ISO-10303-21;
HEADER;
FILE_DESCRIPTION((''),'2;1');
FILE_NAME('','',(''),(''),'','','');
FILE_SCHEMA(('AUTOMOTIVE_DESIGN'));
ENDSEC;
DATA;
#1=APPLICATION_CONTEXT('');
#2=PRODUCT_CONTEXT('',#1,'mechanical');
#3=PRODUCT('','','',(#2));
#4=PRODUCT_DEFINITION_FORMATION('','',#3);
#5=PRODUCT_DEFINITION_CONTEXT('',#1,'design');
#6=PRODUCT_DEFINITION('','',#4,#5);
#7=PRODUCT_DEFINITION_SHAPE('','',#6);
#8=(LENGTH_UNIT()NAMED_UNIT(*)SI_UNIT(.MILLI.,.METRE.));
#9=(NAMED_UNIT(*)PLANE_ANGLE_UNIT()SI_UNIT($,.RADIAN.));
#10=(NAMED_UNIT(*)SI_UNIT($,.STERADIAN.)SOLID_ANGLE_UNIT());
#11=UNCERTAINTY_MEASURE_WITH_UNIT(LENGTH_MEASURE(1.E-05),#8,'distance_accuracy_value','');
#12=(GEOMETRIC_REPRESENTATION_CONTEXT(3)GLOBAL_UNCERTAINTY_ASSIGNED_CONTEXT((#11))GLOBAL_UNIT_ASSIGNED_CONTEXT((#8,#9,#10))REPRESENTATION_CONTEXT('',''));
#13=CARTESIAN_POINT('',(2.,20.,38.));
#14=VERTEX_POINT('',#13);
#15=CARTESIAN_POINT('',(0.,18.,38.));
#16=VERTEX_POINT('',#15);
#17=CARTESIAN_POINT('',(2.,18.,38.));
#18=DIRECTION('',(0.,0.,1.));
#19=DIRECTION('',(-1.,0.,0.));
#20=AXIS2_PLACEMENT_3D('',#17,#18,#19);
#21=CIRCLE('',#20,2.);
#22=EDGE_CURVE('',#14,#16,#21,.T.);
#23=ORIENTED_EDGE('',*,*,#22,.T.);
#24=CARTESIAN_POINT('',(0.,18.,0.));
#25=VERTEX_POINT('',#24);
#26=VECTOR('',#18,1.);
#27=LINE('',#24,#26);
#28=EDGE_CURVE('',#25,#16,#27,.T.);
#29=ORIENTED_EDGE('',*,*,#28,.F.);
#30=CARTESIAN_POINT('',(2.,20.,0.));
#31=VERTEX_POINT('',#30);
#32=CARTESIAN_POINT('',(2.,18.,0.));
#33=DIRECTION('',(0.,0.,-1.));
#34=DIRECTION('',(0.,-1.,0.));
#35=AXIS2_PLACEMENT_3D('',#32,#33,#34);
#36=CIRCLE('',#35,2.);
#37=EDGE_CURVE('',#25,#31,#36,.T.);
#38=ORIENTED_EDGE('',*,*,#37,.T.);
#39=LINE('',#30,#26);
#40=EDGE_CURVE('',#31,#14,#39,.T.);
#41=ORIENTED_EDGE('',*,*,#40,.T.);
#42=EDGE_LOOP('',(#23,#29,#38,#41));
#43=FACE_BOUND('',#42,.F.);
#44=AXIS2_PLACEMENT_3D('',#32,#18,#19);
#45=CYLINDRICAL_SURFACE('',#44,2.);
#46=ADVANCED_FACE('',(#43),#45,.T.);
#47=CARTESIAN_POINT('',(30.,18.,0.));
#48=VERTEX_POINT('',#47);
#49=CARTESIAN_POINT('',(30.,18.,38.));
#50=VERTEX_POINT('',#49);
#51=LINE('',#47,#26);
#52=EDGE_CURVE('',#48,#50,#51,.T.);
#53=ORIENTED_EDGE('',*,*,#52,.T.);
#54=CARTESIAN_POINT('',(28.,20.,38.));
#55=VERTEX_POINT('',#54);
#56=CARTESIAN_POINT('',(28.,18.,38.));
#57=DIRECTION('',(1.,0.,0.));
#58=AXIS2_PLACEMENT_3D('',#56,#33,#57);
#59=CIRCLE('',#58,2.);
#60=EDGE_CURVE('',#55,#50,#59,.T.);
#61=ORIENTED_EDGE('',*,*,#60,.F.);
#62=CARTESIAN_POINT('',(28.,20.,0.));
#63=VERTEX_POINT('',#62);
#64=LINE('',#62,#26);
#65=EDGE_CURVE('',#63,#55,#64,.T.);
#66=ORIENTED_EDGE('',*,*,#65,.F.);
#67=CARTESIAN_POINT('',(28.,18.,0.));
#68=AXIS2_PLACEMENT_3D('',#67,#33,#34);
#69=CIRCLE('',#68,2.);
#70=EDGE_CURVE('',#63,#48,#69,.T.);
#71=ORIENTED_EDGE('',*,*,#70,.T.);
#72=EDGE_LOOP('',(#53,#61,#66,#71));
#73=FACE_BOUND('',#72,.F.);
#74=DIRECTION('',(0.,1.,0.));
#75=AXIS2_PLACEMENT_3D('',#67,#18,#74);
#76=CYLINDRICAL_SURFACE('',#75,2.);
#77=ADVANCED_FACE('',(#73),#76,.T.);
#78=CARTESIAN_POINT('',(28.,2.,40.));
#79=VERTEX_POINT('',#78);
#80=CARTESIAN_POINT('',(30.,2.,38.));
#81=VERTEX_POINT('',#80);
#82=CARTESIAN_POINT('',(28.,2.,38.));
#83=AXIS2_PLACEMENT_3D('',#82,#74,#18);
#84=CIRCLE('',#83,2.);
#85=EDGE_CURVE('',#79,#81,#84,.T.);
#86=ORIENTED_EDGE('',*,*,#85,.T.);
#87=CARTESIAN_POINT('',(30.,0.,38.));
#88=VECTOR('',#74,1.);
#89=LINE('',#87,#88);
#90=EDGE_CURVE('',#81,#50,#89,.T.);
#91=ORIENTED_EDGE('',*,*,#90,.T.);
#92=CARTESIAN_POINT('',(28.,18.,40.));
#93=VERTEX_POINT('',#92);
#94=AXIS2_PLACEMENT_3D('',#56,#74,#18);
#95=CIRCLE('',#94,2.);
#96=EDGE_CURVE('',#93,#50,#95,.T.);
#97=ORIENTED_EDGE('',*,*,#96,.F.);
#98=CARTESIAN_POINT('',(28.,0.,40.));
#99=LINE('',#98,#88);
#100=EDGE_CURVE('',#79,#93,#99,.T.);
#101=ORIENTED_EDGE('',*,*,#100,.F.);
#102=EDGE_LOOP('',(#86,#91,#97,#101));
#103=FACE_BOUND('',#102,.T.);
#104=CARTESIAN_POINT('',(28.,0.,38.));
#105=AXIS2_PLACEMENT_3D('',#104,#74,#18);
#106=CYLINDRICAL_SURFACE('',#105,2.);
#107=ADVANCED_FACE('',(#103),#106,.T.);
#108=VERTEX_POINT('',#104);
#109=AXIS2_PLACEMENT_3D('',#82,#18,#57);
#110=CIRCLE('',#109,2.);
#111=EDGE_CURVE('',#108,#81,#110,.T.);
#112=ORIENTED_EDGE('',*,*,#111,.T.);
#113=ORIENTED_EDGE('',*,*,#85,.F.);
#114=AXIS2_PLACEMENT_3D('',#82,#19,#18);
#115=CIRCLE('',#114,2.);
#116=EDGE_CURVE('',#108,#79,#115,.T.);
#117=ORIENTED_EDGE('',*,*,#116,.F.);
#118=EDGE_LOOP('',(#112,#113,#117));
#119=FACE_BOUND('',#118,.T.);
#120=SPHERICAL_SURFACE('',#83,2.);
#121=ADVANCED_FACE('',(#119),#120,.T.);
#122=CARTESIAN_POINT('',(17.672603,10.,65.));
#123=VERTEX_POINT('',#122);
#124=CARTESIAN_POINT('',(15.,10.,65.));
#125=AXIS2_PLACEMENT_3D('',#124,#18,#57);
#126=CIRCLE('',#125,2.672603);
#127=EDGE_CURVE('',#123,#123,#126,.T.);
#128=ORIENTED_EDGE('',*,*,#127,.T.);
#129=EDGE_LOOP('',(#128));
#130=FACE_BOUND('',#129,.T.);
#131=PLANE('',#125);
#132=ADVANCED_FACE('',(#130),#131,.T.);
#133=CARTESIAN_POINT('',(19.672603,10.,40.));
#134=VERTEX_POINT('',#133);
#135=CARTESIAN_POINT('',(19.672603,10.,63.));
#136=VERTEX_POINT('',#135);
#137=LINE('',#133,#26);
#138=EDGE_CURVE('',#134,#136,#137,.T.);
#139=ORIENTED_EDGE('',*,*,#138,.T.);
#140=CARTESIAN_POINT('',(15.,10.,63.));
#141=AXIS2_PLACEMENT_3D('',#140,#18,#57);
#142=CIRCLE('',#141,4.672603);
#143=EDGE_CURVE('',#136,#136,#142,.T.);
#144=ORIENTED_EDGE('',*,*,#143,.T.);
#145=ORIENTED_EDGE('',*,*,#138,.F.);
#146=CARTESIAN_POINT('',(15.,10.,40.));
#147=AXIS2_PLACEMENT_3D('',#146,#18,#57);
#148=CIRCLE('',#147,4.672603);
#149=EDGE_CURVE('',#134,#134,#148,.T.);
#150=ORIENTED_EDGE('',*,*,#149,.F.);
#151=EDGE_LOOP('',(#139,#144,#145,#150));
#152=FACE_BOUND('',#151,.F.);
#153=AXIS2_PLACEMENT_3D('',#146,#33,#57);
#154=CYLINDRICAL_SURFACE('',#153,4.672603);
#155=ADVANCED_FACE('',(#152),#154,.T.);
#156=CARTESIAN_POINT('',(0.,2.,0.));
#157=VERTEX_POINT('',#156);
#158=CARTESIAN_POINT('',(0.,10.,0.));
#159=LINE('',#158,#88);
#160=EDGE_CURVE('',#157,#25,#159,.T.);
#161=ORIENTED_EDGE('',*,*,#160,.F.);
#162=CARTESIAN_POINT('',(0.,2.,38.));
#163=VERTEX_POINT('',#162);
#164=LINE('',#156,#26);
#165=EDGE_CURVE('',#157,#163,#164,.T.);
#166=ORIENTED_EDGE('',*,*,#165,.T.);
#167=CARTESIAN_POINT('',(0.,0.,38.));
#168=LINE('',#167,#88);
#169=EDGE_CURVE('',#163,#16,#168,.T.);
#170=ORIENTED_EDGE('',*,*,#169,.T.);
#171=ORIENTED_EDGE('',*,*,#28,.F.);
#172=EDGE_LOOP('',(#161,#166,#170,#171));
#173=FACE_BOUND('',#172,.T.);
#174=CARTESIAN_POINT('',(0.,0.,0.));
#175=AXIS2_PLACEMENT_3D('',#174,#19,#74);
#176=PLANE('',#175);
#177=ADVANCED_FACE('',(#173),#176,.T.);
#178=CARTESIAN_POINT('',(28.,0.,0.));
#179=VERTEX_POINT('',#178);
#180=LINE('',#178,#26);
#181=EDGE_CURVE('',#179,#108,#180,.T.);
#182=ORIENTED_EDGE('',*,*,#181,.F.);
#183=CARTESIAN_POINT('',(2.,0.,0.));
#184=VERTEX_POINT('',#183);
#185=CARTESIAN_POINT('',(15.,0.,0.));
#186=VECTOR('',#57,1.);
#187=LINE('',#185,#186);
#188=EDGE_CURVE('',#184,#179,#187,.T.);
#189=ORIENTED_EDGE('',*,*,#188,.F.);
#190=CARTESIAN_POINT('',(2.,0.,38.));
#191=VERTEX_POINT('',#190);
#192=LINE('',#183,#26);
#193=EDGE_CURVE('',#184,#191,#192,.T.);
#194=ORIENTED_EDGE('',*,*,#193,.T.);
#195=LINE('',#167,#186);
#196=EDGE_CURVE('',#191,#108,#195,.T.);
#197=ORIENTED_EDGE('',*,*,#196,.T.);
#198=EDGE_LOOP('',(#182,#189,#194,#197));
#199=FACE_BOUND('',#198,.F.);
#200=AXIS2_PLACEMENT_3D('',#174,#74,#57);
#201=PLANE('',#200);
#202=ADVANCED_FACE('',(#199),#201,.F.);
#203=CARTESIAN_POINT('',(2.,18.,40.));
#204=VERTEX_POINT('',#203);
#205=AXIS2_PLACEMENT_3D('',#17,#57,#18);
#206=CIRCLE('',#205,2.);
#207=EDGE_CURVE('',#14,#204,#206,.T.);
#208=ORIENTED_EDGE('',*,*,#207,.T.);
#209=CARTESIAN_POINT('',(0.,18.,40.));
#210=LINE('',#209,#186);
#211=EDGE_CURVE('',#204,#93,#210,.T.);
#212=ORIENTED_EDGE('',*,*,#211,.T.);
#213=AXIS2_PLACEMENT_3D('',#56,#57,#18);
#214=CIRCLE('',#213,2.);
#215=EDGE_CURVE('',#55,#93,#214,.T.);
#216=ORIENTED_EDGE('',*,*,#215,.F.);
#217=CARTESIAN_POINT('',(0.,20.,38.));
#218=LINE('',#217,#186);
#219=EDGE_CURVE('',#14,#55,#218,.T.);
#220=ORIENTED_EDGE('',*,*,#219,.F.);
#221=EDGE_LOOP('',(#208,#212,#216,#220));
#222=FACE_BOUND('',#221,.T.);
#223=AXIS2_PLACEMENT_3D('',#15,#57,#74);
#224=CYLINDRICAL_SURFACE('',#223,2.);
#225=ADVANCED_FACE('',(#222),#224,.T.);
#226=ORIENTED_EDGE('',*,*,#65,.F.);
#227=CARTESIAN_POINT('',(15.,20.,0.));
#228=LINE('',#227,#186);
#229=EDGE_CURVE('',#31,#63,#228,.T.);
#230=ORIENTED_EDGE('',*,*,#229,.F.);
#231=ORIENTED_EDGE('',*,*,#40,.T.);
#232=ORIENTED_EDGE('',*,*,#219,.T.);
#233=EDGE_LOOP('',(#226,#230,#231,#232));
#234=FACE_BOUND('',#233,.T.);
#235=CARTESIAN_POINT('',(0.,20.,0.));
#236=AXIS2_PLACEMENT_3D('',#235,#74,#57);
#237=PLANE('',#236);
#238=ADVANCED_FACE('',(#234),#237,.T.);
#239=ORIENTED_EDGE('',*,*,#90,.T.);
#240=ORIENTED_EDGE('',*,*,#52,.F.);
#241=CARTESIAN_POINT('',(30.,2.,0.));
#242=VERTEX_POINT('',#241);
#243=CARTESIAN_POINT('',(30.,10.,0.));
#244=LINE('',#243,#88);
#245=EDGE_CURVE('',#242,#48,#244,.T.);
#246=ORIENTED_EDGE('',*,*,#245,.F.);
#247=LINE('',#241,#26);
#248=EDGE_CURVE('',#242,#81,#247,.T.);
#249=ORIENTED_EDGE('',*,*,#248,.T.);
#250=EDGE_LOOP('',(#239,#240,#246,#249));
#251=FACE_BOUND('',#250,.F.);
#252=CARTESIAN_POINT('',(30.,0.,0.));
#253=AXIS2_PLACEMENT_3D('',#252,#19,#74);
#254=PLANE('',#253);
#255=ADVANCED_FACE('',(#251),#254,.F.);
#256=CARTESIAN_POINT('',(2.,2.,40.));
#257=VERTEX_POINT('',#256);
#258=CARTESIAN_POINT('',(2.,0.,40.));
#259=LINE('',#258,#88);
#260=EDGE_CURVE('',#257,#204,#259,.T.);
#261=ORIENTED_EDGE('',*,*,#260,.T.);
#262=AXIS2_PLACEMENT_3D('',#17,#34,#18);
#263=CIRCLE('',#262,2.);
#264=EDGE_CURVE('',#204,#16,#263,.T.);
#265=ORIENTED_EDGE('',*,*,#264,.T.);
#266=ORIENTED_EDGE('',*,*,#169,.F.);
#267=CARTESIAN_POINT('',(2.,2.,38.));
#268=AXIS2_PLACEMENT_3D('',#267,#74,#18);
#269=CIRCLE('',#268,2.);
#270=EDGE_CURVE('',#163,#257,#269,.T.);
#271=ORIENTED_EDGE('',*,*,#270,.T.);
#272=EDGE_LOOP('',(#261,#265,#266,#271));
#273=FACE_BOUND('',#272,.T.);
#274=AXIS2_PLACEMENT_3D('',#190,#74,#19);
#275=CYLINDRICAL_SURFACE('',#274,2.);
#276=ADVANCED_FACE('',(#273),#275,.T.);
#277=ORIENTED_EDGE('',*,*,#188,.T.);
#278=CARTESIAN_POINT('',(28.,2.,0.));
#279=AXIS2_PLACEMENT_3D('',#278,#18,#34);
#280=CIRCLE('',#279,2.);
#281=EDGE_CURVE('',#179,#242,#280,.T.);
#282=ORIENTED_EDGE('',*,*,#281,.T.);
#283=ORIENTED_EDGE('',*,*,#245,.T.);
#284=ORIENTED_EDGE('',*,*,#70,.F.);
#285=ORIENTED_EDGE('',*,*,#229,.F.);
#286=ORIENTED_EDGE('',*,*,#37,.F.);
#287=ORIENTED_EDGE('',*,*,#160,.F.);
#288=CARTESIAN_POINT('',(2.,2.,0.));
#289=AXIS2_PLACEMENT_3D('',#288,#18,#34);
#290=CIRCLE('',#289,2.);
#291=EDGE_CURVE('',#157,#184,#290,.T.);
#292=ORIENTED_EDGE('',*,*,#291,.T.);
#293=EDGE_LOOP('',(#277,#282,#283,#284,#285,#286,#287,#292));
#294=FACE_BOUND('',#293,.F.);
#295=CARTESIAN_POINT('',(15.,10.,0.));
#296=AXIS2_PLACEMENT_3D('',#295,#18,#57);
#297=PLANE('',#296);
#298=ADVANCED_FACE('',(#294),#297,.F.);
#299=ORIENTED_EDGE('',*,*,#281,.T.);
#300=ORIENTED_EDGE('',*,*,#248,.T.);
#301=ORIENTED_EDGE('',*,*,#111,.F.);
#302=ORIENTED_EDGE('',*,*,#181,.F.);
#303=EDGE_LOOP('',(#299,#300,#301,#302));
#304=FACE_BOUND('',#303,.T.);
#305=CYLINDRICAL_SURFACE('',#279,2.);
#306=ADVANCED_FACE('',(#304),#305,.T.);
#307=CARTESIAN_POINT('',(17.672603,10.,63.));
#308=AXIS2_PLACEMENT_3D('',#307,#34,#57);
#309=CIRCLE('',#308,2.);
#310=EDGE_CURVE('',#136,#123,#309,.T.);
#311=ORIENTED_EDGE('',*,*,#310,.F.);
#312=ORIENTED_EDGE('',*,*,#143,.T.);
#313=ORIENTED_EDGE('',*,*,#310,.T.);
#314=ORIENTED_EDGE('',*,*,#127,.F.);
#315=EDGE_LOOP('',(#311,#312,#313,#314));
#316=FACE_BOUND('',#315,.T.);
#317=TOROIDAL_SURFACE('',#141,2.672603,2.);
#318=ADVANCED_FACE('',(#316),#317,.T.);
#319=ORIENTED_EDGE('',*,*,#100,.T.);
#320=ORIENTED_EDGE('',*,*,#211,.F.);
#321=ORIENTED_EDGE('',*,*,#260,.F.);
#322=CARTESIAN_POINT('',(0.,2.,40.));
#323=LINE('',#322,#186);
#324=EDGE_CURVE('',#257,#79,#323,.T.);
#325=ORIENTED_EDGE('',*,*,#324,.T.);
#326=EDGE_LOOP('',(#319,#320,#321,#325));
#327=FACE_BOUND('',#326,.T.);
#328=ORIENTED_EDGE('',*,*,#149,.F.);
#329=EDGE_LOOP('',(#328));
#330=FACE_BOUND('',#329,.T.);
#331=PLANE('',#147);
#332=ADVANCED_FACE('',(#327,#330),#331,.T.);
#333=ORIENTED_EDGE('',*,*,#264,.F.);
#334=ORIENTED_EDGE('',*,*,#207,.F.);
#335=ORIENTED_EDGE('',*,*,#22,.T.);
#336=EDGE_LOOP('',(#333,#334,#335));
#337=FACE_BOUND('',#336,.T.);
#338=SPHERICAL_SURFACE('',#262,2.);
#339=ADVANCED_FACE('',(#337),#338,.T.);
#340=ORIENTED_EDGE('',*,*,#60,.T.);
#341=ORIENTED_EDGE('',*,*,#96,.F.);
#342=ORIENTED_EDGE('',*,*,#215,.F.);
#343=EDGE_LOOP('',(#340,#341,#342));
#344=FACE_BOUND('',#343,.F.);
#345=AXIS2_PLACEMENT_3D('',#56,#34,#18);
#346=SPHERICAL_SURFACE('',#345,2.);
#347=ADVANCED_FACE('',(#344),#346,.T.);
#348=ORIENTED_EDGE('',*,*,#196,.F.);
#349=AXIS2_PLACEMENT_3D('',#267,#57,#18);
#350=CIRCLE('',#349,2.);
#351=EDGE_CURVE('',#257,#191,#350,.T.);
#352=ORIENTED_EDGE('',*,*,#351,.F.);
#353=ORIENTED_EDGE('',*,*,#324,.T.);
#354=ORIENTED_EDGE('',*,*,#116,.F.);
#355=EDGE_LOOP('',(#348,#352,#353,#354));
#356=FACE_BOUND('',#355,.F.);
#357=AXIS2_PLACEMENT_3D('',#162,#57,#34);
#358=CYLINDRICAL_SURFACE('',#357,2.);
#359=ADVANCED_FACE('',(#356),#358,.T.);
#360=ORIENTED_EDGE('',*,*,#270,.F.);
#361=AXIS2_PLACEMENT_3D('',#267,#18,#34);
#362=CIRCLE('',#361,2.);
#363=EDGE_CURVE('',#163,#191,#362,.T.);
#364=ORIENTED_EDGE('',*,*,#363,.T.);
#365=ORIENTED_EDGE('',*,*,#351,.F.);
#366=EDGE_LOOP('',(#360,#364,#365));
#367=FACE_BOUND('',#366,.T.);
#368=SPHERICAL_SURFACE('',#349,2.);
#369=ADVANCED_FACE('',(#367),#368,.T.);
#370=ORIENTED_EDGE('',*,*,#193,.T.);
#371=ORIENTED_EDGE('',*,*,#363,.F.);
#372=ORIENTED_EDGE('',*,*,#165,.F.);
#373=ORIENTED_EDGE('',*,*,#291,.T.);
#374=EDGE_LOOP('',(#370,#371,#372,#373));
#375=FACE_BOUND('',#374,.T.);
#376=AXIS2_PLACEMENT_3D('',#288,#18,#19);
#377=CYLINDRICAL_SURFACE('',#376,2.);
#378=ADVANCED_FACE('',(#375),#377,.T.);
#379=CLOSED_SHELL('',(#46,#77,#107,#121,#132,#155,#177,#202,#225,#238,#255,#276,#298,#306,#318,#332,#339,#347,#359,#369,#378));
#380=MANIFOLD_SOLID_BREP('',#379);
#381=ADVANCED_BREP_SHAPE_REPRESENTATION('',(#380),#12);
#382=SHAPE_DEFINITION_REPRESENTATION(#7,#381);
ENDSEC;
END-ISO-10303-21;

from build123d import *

# Parameters (mm, degrees)
F0_W     = 30
F0_H     = 20
F1_DEPTH = 40
F2_R     = 4.672603
F3_DEPTH = 25
F4_R     = 2


with BuildPart() as f1:
    # F0 (on Top) → F1 (new body)
    with BuildSketch(Plane.XY):
        with Locations((15, 10)):
            Rectangle(F0_W, F0_H)
    extrude(amount=F1_DEPTH)

    # F2 (on face) → F3 (join)
    with BuildSketch(Plane.XY.offset(40)):
        with Locations((15, 10)):
            Circle(F2_R)
    extrude(amount=F3_DEPTH)

    # F4
    f4_edges = [f1.edges().sort_by_distance(p)[0] for p in [
        (10.327397, 10, 65),
        (30, 10, 40),
        (15, 0, 40),
        (0, 10, 40),
        (15, 20, 40),
        (30, 20, 20),
        (30, 0, 20),
        (0, 0, 20),
        (0, 20, 20),
    ]]
    fillet(f4_edges, radius=F4_R)


solid = f1.part
